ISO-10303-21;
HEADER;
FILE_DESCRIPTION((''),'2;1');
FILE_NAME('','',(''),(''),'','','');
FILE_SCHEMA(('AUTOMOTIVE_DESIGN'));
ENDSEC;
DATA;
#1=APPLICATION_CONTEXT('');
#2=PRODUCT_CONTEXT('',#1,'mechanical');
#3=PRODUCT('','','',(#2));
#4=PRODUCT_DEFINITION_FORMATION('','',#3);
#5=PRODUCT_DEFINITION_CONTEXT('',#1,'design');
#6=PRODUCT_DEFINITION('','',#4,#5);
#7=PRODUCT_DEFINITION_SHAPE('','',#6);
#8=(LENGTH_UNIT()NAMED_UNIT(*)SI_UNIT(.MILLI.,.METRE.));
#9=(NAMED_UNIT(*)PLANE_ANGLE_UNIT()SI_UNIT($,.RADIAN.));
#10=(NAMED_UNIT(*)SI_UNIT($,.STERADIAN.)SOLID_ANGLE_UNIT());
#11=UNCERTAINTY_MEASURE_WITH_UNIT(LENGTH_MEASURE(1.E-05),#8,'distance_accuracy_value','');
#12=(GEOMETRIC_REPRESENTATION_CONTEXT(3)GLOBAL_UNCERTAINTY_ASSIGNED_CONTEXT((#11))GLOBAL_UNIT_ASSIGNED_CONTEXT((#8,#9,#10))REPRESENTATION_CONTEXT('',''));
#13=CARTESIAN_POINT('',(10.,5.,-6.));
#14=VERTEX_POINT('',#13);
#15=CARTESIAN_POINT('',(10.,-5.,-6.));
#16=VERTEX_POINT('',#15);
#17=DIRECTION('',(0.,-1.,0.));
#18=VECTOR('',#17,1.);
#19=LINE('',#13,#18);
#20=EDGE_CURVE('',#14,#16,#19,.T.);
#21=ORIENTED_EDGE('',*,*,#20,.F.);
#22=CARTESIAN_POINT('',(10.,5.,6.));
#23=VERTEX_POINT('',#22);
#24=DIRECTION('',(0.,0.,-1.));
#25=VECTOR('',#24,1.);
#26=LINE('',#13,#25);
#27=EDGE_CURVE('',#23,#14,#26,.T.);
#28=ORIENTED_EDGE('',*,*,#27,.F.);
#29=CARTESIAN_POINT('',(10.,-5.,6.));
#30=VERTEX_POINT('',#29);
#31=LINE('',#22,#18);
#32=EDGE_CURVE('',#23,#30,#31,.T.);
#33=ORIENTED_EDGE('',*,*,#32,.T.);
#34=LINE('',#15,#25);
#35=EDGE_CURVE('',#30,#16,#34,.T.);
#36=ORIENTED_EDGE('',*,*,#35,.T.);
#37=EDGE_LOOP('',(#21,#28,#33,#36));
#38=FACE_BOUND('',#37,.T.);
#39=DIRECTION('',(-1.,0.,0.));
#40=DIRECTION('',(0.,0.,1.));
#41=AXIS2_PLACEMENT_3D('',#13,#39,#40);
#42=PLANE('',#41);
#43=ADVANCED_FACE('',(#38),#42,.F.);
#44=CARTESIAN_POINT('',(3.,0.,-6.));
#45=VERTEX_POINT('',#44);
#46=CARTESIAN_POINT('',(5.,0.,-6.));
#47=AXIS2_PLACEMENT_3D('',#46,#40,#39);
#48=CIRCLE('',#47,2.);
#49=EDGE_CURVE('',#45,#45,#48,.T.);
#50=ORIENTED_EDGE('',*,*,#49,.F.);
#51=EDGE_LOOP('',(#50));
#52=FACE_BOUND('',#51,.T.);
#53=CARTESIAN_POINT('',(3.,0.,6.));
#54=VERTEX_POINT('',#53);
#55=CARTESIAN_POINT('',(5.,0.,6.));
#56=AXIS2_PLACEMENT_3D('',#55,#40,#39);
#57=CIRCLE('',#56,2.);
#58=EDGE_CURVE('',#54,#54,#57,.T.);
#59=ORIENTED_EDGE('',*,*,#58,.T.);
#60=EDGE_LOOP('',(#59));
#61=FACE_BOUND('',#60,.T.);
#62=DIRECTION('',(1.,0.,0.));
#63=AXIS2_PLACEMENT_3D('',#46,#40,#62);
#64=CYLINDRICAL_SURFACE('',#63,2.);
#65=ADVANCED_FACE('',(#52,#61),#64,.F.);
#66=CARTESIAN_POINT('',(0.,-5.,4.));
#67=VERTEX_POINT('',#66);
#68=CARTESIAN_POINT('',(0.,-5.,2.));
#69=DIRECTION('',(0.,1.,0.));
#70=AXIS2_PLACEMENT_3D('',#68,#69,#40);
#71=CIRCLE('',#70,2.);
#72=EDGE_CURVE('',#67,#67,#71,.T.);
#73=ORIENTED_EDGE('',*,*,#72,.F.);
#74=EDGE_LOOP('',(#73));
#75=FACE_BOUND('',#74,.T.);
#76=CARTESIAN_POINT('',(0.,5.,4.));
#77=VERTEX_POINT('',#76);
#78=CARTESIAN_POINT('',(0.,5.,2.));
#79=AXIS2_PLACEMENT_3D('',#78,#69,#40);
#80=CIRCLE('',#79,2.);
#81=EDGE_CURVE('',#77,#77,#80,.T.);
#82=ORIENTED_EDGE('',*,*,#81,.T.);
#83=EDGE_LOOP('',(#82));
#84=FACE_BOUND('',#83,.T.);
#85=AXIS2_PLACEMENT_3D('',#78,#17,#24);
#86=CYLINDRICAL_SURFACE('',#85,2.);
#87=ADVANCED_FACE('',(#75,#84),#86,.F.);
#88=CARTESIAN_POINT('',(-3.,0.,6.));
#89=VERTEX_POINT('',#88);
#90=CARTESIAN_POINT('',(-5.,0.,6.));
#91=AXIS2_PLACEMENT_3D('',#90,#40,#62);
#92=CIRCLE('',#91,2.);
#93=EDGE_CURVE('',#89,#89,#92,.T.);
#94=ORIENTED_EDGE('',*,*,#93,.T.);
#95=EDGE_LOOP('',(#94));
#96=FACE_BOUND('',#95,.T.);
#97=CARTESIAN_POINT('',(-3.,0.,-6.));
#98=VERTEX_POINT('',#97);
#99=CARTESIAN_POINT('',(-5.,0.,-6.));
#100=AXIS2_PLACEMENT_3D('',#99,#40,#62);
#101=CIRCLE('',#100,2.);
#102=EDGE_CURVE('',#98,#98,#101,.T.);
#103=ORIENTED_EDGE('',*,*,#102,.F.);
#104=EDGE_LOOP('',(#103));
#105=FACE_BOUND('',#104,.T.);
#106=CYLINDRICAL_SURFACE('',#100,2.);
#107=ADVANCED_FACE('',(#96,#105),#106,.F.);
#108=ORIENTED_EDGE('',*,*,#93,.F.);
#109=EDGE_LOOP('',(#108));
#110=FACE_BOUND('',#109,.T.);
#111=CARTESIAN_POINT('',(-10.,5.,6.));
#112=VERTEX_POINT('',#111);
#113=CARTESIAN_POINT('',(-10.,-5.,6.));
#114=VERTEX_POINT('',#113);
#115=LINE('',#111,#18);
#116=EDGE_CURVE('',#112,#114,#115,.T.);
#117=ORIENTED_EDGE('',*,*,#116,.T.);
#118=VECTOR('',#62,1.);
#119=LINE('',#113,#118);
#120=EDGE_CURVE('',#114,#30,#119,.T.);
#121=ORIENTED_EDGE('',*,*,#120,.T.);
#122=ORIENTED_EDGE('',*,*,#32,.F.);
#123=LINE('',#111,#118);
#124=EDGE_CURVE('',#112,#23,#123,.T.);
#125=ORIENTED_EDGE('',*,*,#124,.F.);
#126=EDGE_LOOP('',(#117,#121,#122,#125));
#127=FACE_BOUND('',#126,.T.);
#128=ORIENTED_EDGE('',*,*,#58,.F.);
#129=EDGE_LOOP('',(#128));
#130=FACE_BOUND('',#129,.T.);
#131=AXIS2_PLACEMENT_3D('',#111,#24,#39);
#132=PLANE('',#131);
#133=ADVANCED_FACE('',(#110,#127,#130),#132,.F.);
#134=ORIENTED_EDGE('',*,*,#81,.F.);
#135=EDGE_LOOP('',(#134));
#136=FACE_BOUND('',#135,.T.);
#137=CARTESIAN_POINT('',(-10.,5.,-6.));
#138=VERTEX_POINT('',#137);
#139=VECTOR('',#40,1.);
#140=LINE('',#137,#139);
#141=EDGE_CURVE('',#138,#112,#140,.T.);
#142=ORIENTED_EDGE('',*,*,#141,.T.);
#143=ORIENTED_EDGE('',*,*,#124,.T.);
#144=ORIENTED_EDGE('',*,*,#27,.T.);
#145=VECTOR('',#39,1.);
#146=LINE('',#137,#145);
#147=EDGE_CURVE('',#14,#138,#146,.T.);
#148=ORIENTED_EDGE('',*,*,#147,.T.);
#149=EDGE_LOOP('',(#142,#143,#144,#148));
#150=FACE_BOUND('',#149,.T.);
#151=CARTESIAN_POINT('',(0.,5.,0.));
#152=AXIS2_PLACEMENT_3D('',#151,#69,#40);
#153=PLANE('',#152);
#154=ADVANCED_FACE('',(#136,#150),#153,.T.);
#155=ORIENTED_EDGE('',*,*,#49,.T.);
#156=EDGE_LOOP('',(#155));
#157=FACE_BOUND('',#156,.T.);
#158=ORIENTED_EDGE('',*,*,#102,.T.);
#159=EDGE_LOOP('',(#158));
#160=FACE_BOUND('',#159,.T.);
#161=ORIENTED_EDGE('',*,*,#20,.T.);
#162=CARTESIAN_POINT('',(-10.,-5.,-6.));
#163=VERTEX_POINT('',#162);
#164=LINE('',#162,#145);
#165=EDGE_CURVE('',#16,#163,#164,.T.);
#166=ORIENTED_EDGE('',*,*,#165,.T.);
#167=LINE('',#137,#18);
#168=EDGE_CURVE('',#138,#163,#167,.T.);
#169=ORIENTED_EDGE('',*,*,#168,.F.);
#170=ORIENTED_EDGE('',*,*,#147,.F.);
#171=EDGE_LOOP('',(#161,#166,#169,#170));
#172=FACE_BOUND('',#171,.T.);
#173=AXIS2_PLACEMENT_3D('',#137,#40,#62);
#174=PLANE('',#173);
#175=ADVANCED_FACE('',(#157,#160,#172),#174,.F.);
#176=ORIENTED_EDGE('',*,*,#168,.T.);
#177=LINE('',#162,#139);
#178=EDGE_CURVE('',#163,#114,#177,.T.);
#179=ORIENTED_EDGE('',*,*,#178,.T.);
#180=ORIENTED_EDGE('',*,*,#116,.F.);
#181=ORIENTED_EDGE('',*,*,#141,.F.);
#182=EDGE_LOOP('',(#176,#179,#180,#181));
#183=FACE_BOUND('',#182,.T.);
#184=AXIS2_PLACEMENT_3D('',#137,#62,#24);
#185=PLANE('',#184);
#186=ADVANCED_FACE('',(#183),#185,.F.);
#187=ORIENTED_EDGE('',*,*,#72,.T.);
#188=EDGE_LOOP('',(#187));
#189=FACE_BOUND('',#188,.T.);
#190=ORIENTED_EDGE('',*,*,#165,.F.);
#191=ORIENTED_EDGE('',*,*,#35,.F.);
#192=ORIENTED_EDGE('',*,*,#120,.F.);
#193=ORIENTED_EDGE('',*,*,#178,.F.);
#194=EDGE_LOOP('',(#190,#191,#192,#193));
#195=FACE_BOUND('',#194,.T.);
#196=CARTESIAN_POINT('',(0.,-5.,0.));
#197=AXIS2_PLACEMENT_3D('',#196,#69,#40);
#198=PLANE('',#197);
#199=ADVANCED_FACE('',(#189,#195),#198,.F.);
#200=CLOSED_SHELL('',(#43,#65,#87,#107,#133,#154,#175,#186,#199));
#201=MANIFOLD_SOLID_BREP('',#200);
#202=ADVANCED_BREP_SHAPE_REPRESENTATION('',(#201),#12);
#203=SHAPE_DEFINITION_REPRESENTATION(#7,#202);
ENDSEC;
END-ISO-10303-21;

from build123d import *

# Parameters (mm, degrees)
SKETCH_1_W               = 20
SKETCH_1_H               = 12
SKETCH_1_R               = 2
EXTRUDE_1_DEPTH          = 5
CUT_EXTRUDE_1_DEPTH      = 13.68857754
CUT_EXTRUDE_1_DEPTH_BACK = 13.68857754
SKETCH_2_R               = 2


with BuildPart() as part:
    # 草图1 → 凸台-拉伸1 (new, symmetric)
    with BuildSketch(Plane(origin=(0, 0, 0), x_dir=(1, 0, 0), z_dir=(0, 1, 0))):
        Rectangle(SKETCH_1_W, SKETCH_1_H)
        with Locations(Location((0, -2, 0), (0, 0, 270))):
            Circle(SKETCH_1_R, mode=Mode.SUBTRACT)
    extrude(amount=EXTRUDE_1_DEPTH, both=True)

    # 草图2 → 切除-拉伸1 (cut, two sides: drawn at the far end of the back side and taken through both)
    with BuildSketch(Plane.XY.offset(-CUT_EXTRUDE_1_DEPTH_BACK)):
        with Locations((-5, 0)):
            Circle(SKETCH_2_R)
        with Locations(Location((5, 0, 0), (0, 0, 180))):
            Circle(SKETCH_2_R)
    extrude(amount=CUT_EXTRUDE_1_DEPTH + CUT_EXTRUDE_1_DEPTH_BACK, mode=Mode.SUBTRACT)


solid = part.part
